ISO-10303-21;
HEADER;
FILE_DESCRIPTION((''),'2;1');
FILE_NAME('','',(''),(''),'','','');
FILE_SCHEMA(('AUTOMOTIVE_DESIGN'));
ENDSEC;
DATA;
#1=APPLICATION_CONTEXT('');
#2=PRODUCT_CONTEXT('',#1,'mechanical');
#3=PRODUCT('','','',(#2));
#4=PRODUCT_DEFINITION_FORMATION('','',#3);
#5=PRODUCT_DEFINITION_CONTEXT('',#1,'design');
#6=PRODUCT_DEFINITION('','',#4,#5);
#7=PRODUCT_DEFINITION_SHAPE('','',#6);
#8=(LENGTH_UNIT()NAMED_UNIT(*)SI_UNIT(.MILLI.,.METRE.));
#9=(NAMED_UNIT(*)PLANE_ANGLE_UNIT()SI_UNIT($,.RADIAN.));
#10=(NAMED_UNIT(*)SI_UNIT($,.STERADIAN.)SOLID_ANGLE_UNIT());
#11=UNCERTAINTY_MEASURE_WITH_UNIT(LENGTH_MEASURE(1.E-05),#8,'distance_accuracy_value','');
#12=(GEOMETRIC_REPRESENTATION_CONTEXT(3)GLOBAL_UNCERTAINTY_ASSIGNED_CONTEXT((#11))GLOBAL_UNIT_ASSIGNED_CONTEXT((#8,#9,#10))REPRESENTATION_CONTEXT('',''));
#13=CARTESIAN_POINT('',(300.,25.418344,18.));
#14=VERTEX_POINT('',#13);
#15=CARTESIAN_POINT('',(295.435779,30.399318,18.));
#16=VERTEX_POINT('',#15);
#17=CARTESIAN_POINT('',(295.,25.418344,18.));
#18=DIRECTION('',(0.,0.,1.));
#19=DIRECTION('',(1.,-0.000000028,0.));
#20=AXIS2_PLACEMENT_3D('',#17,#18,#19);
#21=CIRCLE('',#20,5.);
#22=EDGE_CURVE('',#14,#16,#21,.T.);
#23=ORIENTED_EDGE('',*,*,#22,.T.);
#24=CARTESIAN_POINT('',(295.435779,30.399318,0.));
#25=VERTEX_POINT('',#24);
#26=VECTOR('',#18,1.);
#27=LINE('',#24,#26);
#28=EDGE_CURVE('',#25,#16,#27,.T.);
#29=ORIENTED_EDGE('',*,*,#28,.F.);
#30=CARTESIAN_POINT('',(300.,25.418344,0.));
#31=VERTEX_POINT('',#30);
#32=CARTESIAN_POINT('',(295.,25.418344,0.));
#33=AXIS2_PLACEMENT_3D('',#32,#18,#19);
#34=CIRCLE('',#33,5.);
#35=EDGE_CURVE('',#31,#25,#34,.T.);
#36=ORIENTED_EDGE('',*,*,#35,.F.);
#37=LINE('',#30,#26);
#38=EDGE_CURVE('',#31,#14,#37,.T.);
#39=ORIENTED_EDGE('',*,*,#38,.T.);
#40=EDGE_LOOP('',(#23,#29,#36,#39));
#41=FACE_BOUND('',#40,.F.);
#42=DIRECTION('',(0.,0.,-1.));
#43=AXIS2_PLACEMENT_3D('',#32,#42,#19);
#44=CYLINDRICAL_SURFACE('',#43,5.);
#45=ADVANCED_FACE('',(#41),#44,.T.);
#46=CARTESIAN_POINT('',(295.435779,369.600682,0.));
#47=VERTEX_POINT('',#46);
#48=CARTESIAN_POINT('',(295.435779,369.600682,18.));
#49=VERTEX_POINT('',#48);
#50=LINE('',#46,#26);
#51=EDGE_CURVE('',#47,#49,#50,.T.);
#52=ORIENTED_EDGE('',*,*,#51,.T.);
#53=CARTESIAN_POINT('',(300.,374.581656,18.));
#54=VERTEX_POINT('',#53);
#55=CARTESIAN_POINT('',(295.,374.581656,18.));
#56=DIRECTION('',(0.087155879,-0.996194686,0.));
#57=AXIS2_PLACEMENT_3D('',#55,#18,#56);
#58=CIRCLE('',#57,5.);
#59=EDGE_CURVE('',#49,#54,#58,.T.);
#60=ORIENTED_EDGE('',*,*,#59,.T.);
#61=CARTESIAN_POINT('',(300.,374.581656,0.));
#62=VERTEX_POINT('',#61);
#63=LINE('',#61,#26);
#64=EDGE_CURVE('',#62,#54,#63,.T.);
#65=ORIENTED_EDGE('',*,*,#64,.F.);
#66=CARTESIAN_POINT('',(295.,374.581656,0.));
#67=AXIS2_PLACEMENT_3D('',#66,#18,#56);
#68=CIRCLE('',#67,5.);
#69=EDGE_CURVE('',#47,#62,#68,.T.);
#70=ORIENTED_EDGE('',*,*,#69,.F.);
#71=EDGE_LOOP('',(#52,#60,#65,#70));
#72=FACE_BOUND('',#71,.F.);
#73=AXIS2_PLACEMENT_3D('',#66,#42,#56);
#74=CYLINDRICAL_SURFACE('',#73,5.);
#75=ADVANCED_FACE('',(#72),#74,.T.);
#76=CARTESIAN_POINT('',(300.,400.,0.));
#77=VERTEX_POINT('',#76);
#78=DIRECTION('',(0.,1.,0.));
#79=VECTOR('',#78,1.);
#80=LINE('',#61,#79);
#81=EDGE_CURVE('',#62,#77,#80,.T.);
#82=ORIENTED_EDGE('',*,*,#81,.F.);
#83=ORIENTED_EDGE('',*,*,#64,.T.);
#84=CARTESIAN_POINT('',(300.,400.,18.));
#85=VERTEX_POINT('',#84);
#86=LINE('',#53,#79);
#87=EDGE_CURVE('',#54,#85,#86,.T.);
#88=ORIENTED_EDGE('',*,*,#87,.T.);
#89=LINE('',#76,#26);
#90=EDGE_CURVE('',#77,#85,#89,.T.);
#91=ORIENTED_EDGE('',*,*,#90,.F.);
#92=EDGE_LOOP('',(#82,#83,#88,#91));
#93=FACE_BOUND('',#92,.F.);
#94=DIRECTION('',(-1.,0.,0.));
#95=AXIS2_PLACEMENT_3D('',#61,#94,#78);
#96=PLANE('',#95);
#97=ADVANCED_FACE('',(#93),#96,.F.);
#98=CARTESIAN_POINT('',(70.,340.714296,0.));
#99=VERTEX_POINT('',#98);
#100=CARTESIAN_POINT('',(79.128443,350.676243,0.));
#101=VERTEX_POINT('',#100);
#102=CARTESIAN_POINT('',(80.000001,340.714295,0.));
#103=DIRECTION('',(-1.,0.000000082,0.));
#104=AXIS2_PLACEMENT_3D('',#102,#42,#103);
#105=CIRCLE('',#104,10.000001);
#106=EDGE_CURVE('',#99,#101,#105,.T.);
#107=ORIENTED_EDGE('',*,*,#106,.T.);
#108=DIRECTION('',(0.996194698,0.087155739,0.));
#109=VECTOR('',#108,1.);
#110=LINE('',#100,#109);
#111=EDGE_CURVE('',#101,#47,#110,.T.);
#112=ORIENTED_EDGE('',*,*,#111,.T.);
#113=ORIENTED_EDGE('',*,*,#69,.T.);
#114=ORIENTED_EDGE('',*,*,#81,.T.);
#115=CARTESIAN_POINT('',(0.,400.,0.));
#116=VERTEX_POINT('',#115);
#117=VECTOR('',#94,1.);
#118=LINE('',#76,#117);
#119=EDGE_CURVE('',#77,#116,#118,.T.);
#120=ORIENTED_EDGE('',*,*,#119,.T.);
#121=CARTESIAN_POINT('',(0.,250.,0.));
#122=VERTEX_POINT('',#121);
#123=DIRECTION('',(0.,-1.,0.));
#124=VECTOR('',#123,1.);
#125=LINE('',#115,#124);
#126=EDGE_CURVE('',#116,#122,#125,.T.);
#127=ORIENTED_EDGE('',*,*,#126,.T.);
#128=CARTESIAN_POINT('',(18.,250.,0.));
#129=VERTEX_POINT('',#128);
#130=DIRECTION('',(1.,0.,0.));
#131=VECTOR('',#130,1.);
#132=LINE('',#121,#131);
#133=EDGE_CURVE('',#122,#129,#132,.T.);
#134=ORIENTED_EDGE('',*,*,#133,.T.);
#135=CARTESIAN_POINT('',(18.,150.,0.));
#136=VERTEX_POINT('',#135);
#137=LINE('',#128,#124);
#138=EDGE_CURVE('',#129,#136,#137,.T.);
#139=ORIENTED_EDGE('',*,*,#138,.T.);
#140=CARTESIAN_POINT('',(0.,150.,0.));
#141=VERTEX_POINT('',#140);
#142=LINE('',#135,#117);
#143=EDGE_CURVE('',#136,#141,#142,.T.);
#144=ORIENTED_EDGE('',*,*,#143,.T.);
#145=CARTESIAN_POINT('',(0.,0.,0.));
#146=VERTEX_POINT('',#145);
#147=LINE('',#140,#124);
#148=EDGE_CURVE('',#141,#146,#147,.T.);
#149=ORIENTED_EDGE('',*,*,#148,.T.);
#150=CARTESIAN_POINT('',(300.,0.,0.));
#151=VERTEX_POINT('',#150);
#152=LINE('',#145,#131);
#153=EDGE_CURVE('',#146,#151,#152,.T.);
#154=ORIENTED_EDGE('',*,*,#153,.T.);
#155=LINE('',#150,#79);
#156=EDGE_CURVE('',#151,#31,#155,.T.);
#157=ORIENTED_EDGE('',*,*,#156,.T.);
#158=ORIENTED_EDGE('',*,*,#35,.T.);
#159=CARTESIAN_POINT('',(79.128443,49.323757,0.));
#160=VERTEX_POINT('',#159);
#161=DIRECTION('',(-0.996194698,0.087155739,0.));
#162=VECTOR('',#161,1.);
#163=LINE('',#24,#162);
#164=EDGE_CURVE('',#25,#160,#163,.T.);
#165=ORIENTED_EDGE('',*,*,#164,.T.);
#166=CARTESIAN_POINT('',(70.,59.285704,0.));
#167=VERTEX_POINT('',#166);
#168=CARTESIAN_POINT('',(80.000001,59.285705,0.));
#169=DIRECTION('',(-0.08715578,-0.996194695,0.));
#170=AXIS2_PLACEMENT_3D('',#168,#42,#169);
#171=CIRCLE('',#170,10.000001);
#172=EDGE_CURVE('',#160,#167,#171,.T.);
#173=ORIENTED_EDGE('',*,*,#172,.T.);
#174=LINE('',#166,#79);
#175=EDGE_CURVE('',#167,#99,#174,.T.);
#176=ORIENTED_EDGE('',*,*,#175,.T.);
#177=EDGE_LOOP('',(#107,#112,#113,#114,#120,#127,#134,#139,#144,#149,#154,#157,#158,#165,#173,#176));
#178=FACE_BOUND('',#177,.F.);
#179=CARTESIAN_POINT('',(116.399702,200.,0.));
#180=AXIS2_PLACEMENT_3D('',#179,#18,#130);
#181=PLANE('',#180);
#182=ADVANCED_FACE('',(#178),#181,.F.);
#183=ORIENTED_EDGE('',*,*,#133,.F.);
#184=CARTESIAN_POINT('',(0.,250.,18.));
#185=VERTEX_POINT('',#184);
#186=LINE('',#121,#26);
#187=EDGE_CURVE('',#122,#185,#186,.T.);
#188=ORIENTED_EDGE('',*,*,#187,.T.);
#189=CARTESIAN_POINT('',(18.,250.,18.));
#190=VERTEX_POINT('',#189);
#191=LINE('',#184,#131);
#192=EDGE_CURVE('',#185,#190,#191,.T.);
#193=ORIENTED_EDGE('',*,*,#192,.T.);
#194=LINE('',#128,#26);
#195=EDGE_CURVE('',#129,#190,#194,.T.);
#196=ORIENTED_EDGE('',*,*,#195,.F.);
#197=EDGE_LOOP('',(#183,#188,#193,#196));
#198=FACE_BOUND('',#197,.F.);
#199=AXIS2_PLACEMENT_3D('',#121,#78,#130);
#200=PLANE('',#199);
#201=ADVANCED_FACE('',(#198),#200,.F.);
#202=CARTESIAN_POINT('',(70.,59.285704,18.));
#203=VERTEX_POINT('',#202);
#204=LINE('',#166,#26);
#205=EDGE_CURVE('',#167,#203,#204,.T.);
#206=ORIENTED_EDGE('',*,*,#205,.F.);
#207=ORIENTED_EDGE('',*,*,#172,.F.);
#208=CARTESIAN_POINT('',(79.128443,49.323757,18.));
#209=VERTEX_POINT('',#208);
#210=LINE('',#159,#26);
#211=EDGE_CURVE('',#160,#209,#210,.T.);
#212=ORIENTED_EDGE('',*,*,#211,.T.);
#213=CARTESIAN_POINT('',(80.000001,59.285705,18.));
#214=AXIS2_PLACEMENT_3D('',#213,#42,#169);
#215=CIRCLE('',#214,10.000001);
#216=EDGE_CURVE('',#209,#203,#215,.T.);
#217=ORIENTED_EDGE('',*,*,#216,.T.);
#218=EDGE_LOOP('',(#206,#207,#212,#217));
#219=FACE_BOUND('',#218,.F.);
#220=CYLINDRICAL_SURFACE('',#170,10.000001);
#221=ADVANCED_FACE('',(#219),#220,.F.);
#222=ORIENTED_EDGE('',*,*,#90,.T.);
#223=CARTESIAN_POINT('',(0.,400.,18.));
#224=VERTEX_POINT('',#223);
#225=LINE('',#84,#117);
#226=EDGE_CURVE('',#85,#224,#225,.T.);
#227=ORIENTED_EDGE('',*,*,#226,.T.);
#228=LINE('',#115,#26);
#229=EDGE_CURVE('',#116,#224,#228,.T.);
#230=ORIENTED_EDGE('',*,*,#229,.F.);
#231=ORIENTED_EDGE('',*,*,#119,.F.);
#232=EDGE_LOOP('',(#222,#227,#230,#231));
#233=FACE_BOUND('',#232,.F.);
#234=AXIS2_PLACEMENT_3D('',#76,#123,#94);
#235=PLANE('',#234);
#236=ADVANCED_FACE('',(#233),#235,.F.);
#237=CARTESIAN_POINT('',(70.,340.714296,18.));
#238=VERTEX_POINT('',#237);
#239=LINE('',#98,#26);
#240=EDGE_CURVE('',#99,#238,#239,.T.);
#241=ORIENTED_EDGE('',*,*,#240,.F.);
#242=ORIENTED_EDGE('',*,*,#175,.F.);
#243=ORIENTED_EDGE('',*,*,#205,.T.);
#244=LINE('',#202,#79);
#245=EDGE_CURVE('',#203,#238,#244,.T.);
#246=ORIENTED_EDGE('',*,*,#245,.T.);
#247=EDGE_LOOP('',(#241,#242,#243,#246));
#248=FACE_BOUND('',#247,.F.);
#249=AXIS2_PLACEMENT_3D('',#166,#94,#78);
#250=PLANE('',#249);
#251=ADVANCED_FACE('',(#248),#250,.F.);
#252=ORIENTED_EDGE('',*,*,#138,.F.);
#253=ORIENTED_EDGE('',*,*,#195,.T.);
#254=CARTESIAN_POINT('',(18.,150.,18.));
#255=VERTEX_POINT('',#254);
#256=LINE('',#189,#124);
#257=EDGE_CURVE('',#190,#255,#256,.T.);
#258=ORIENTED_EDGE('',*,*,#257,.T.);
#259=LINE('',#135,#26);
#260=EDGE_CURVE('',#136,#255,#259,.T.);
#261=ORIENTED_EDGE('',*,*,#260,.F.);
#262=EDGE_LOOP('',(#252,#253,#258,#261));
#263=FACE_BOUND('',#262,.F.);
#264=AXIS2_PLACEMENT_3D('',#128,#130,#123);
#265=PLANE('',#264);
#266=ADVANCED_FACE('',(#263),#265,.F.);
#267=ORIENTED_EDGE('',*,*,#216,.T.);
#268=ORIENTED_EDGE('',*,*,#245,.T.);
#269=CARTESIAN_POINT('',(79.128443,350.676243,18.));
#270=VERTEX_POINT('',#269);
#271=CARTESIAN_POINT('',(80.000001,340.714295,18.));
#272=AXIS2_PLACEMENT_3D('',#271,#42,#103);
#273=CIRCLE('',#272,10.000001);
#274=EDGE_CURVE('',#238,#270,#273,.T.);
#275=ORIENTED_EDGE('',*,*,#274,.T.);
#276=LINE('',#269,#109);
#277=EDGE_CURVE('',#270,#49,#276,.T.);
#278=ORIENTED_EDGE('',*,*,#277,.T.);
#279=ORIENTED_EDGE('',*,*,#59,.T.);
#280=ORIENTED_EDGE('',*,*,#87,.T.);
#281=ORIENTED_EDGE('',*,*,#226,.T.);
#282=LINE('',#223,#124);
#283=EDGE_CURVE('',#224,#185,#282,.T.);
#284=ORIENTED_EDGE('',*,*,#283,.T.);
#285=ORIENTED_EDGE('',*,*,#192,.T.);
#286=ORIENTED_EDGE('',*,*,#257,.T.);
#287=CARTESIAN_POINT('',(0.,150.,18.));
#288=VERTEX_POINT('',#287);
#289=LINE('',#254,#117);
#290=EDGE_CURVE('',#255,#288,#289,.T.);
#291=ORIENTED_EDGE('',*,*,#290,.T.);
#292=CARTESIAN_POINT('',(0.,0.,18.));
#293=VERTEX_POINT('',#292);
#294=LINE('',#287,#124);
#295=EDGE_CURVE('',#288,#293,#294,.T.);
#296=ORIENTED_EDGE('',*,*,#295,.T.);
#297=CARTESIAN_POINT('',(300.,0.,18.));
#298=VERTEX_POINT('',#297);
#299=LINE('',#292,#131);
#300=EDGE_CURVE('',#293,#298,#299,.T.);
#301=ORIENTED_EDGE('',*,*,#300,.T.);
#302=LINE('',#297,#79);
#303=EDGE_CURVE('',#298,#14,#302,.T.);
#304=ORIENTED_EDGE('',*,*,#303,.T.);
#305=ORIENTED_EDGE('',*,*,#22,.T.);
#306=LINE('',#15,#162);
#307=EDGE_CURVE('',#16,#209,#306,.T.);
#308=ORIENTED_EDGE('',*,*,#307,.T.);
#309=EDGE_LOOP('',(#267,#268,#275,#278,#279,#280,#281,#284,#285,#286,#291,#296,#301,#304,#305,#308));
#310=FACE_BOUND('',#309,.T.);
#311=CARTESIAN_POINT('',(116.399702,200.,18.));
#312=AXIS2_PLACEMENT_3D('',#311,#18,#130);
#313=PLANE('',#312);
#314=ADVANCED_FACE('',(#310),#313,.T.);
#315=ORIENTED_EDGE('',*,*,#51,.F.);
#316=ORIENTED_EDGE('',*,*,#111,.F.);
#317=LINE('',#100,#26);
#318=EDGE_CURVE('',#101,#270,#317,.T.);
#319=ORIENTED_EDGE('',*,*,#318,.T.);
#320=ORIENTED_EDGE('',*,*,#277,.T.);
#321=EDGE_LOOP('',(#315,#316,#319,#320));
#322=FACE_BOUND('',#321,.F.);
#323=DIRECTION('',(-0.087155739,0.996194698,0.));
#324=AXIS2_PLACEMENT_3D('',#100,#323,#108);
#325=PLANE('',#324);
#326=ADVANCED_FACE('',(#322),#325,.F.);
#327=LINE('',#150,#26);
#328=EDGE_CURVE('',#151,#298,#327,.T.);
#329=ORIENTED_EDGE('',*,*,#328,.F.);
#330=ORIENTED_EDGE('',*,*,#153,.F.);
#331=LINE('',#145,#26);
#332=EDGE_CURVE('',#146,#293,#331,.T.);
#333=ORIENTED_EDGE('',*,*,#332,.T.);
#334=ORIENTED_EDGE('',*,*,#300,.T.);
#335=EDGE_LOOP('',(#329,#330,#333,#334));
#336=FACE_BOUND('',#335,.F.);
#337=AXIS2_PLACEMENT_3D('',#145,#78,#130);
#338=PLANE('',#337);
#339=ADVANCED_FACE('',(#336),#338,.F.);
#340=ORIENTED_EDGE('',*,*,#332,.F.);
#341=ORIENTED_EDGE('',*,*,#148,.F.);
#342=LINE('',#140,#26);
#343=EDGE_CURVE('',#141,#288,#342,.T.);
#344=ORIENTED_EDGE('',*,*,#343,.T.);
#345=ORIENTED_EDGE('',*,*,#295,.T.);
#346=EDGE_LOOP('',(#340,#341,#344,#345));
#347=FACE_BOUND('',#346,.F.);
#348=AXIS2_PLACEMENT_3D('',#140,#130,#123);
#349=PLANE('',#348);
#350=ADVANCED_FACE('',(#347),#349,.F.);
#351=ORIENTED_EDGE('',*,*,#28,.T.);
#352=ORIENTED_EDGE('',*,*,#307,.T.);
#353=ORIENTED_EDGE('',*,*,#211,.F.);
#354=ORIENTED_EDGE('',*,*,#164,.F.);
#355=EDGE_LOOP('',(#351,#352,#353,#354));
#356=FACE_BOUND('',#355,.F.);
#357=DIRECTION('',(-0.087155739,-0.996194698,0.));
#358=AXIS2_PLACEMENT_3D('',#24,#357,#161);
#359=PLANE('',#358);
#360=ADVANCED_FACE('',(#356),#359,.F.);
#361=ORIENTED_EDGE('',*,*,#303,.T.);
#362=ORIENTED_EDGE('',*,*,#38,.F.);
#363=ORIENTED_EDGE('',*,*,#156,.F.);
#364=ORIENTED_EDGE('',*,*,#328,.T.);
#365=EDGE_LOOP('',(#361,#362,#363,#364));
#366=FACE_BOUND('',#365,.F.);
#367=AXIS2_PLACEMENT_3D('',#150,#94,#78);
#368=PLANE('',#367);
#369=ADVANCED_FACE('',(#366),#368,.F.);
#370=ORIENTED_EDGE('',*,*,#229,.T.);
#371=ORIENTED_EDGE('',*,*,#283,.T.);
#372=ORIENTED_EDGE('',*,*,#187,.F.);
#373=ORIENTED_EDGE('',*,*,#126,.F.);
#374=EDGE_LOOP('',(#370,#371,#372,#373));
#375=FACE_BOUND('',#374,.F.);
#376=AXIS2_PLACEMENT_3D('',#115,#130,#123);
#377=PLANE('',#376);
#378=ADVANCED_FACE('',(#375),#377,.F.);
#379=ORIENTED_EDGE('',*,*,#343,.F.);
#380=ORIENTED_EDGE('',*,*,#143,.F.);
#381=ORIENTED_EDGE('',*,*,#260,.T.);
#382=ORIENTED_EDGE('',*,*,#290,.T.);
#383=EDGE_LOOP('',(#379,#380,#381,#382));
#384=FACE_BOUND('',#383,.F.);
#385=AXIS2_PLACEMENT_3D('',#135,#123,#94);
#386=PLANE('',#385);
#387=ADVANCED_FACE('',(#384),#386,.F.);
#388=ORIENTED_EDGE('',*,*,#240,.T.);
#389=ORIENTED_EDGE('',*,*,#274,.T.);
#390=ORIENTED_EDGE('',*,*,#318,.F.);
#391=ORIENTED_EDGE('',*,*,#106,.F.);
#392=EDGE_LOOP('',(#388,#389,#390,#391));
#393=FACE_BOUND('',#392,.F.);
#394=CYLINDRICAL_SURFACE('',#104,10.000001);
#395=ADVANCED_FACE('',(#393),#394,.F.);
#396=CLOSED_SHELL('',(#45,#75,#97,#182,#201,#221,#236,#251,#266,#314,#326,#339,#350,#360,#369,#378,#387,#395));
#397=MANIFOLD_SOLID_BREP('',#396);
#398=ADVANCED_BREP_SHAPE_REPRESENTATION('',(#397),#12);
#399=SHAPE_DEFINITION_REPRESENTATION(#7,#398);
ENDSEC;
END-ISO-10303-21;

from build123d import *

# Parameters (mm, degrees)
F1_DEPTH = 18


with BuildPart() as f1:
    # F0 (on Top) → F1 (new body)
    with BuildSketch(Plane.XY):
        with BuildLine():
            Line((300, 400), (0, 400))
            Line((0, 400), (0, 297.274311))
            Line((0, 297.274311), (0, 250))
            Line((0, 250), (18, 250))
            Line((18, 250), (18, 150))
            Line((18, 150), (0, 150))
            Line((0, 150), (0, 0))
            Line((0, 0), (300, 0))
            Line((300, 0), (300, 25.418344))
            ThreePointArc((300, 25.418344), (298.686387, 28.796295), (295.435779, 30.399318))
            Line((295.435779, 30.399318), (79.128443, 49.323757))
            ThreePointArc((79.128443, 49.323757), (72.627227, 52.529802), (70, 59.285704))
            Line((70, 59.285704), (70, 340.714296))
            ThreePointArc((70, 340.714296), (72.627227, 347.470198), (79.128443, 350.676243))
            Line((79.128443, 350.676243), (295.435779, 369.600682))
            ThreePointArc((295.435779, 369.600682), (298.686387, 371.203705), (300, 374.581656))
            Line((300, 374.581656), (300, 400))
        make_face()
    extrude(amount=F1_DEPTH)


solid = f1.part
